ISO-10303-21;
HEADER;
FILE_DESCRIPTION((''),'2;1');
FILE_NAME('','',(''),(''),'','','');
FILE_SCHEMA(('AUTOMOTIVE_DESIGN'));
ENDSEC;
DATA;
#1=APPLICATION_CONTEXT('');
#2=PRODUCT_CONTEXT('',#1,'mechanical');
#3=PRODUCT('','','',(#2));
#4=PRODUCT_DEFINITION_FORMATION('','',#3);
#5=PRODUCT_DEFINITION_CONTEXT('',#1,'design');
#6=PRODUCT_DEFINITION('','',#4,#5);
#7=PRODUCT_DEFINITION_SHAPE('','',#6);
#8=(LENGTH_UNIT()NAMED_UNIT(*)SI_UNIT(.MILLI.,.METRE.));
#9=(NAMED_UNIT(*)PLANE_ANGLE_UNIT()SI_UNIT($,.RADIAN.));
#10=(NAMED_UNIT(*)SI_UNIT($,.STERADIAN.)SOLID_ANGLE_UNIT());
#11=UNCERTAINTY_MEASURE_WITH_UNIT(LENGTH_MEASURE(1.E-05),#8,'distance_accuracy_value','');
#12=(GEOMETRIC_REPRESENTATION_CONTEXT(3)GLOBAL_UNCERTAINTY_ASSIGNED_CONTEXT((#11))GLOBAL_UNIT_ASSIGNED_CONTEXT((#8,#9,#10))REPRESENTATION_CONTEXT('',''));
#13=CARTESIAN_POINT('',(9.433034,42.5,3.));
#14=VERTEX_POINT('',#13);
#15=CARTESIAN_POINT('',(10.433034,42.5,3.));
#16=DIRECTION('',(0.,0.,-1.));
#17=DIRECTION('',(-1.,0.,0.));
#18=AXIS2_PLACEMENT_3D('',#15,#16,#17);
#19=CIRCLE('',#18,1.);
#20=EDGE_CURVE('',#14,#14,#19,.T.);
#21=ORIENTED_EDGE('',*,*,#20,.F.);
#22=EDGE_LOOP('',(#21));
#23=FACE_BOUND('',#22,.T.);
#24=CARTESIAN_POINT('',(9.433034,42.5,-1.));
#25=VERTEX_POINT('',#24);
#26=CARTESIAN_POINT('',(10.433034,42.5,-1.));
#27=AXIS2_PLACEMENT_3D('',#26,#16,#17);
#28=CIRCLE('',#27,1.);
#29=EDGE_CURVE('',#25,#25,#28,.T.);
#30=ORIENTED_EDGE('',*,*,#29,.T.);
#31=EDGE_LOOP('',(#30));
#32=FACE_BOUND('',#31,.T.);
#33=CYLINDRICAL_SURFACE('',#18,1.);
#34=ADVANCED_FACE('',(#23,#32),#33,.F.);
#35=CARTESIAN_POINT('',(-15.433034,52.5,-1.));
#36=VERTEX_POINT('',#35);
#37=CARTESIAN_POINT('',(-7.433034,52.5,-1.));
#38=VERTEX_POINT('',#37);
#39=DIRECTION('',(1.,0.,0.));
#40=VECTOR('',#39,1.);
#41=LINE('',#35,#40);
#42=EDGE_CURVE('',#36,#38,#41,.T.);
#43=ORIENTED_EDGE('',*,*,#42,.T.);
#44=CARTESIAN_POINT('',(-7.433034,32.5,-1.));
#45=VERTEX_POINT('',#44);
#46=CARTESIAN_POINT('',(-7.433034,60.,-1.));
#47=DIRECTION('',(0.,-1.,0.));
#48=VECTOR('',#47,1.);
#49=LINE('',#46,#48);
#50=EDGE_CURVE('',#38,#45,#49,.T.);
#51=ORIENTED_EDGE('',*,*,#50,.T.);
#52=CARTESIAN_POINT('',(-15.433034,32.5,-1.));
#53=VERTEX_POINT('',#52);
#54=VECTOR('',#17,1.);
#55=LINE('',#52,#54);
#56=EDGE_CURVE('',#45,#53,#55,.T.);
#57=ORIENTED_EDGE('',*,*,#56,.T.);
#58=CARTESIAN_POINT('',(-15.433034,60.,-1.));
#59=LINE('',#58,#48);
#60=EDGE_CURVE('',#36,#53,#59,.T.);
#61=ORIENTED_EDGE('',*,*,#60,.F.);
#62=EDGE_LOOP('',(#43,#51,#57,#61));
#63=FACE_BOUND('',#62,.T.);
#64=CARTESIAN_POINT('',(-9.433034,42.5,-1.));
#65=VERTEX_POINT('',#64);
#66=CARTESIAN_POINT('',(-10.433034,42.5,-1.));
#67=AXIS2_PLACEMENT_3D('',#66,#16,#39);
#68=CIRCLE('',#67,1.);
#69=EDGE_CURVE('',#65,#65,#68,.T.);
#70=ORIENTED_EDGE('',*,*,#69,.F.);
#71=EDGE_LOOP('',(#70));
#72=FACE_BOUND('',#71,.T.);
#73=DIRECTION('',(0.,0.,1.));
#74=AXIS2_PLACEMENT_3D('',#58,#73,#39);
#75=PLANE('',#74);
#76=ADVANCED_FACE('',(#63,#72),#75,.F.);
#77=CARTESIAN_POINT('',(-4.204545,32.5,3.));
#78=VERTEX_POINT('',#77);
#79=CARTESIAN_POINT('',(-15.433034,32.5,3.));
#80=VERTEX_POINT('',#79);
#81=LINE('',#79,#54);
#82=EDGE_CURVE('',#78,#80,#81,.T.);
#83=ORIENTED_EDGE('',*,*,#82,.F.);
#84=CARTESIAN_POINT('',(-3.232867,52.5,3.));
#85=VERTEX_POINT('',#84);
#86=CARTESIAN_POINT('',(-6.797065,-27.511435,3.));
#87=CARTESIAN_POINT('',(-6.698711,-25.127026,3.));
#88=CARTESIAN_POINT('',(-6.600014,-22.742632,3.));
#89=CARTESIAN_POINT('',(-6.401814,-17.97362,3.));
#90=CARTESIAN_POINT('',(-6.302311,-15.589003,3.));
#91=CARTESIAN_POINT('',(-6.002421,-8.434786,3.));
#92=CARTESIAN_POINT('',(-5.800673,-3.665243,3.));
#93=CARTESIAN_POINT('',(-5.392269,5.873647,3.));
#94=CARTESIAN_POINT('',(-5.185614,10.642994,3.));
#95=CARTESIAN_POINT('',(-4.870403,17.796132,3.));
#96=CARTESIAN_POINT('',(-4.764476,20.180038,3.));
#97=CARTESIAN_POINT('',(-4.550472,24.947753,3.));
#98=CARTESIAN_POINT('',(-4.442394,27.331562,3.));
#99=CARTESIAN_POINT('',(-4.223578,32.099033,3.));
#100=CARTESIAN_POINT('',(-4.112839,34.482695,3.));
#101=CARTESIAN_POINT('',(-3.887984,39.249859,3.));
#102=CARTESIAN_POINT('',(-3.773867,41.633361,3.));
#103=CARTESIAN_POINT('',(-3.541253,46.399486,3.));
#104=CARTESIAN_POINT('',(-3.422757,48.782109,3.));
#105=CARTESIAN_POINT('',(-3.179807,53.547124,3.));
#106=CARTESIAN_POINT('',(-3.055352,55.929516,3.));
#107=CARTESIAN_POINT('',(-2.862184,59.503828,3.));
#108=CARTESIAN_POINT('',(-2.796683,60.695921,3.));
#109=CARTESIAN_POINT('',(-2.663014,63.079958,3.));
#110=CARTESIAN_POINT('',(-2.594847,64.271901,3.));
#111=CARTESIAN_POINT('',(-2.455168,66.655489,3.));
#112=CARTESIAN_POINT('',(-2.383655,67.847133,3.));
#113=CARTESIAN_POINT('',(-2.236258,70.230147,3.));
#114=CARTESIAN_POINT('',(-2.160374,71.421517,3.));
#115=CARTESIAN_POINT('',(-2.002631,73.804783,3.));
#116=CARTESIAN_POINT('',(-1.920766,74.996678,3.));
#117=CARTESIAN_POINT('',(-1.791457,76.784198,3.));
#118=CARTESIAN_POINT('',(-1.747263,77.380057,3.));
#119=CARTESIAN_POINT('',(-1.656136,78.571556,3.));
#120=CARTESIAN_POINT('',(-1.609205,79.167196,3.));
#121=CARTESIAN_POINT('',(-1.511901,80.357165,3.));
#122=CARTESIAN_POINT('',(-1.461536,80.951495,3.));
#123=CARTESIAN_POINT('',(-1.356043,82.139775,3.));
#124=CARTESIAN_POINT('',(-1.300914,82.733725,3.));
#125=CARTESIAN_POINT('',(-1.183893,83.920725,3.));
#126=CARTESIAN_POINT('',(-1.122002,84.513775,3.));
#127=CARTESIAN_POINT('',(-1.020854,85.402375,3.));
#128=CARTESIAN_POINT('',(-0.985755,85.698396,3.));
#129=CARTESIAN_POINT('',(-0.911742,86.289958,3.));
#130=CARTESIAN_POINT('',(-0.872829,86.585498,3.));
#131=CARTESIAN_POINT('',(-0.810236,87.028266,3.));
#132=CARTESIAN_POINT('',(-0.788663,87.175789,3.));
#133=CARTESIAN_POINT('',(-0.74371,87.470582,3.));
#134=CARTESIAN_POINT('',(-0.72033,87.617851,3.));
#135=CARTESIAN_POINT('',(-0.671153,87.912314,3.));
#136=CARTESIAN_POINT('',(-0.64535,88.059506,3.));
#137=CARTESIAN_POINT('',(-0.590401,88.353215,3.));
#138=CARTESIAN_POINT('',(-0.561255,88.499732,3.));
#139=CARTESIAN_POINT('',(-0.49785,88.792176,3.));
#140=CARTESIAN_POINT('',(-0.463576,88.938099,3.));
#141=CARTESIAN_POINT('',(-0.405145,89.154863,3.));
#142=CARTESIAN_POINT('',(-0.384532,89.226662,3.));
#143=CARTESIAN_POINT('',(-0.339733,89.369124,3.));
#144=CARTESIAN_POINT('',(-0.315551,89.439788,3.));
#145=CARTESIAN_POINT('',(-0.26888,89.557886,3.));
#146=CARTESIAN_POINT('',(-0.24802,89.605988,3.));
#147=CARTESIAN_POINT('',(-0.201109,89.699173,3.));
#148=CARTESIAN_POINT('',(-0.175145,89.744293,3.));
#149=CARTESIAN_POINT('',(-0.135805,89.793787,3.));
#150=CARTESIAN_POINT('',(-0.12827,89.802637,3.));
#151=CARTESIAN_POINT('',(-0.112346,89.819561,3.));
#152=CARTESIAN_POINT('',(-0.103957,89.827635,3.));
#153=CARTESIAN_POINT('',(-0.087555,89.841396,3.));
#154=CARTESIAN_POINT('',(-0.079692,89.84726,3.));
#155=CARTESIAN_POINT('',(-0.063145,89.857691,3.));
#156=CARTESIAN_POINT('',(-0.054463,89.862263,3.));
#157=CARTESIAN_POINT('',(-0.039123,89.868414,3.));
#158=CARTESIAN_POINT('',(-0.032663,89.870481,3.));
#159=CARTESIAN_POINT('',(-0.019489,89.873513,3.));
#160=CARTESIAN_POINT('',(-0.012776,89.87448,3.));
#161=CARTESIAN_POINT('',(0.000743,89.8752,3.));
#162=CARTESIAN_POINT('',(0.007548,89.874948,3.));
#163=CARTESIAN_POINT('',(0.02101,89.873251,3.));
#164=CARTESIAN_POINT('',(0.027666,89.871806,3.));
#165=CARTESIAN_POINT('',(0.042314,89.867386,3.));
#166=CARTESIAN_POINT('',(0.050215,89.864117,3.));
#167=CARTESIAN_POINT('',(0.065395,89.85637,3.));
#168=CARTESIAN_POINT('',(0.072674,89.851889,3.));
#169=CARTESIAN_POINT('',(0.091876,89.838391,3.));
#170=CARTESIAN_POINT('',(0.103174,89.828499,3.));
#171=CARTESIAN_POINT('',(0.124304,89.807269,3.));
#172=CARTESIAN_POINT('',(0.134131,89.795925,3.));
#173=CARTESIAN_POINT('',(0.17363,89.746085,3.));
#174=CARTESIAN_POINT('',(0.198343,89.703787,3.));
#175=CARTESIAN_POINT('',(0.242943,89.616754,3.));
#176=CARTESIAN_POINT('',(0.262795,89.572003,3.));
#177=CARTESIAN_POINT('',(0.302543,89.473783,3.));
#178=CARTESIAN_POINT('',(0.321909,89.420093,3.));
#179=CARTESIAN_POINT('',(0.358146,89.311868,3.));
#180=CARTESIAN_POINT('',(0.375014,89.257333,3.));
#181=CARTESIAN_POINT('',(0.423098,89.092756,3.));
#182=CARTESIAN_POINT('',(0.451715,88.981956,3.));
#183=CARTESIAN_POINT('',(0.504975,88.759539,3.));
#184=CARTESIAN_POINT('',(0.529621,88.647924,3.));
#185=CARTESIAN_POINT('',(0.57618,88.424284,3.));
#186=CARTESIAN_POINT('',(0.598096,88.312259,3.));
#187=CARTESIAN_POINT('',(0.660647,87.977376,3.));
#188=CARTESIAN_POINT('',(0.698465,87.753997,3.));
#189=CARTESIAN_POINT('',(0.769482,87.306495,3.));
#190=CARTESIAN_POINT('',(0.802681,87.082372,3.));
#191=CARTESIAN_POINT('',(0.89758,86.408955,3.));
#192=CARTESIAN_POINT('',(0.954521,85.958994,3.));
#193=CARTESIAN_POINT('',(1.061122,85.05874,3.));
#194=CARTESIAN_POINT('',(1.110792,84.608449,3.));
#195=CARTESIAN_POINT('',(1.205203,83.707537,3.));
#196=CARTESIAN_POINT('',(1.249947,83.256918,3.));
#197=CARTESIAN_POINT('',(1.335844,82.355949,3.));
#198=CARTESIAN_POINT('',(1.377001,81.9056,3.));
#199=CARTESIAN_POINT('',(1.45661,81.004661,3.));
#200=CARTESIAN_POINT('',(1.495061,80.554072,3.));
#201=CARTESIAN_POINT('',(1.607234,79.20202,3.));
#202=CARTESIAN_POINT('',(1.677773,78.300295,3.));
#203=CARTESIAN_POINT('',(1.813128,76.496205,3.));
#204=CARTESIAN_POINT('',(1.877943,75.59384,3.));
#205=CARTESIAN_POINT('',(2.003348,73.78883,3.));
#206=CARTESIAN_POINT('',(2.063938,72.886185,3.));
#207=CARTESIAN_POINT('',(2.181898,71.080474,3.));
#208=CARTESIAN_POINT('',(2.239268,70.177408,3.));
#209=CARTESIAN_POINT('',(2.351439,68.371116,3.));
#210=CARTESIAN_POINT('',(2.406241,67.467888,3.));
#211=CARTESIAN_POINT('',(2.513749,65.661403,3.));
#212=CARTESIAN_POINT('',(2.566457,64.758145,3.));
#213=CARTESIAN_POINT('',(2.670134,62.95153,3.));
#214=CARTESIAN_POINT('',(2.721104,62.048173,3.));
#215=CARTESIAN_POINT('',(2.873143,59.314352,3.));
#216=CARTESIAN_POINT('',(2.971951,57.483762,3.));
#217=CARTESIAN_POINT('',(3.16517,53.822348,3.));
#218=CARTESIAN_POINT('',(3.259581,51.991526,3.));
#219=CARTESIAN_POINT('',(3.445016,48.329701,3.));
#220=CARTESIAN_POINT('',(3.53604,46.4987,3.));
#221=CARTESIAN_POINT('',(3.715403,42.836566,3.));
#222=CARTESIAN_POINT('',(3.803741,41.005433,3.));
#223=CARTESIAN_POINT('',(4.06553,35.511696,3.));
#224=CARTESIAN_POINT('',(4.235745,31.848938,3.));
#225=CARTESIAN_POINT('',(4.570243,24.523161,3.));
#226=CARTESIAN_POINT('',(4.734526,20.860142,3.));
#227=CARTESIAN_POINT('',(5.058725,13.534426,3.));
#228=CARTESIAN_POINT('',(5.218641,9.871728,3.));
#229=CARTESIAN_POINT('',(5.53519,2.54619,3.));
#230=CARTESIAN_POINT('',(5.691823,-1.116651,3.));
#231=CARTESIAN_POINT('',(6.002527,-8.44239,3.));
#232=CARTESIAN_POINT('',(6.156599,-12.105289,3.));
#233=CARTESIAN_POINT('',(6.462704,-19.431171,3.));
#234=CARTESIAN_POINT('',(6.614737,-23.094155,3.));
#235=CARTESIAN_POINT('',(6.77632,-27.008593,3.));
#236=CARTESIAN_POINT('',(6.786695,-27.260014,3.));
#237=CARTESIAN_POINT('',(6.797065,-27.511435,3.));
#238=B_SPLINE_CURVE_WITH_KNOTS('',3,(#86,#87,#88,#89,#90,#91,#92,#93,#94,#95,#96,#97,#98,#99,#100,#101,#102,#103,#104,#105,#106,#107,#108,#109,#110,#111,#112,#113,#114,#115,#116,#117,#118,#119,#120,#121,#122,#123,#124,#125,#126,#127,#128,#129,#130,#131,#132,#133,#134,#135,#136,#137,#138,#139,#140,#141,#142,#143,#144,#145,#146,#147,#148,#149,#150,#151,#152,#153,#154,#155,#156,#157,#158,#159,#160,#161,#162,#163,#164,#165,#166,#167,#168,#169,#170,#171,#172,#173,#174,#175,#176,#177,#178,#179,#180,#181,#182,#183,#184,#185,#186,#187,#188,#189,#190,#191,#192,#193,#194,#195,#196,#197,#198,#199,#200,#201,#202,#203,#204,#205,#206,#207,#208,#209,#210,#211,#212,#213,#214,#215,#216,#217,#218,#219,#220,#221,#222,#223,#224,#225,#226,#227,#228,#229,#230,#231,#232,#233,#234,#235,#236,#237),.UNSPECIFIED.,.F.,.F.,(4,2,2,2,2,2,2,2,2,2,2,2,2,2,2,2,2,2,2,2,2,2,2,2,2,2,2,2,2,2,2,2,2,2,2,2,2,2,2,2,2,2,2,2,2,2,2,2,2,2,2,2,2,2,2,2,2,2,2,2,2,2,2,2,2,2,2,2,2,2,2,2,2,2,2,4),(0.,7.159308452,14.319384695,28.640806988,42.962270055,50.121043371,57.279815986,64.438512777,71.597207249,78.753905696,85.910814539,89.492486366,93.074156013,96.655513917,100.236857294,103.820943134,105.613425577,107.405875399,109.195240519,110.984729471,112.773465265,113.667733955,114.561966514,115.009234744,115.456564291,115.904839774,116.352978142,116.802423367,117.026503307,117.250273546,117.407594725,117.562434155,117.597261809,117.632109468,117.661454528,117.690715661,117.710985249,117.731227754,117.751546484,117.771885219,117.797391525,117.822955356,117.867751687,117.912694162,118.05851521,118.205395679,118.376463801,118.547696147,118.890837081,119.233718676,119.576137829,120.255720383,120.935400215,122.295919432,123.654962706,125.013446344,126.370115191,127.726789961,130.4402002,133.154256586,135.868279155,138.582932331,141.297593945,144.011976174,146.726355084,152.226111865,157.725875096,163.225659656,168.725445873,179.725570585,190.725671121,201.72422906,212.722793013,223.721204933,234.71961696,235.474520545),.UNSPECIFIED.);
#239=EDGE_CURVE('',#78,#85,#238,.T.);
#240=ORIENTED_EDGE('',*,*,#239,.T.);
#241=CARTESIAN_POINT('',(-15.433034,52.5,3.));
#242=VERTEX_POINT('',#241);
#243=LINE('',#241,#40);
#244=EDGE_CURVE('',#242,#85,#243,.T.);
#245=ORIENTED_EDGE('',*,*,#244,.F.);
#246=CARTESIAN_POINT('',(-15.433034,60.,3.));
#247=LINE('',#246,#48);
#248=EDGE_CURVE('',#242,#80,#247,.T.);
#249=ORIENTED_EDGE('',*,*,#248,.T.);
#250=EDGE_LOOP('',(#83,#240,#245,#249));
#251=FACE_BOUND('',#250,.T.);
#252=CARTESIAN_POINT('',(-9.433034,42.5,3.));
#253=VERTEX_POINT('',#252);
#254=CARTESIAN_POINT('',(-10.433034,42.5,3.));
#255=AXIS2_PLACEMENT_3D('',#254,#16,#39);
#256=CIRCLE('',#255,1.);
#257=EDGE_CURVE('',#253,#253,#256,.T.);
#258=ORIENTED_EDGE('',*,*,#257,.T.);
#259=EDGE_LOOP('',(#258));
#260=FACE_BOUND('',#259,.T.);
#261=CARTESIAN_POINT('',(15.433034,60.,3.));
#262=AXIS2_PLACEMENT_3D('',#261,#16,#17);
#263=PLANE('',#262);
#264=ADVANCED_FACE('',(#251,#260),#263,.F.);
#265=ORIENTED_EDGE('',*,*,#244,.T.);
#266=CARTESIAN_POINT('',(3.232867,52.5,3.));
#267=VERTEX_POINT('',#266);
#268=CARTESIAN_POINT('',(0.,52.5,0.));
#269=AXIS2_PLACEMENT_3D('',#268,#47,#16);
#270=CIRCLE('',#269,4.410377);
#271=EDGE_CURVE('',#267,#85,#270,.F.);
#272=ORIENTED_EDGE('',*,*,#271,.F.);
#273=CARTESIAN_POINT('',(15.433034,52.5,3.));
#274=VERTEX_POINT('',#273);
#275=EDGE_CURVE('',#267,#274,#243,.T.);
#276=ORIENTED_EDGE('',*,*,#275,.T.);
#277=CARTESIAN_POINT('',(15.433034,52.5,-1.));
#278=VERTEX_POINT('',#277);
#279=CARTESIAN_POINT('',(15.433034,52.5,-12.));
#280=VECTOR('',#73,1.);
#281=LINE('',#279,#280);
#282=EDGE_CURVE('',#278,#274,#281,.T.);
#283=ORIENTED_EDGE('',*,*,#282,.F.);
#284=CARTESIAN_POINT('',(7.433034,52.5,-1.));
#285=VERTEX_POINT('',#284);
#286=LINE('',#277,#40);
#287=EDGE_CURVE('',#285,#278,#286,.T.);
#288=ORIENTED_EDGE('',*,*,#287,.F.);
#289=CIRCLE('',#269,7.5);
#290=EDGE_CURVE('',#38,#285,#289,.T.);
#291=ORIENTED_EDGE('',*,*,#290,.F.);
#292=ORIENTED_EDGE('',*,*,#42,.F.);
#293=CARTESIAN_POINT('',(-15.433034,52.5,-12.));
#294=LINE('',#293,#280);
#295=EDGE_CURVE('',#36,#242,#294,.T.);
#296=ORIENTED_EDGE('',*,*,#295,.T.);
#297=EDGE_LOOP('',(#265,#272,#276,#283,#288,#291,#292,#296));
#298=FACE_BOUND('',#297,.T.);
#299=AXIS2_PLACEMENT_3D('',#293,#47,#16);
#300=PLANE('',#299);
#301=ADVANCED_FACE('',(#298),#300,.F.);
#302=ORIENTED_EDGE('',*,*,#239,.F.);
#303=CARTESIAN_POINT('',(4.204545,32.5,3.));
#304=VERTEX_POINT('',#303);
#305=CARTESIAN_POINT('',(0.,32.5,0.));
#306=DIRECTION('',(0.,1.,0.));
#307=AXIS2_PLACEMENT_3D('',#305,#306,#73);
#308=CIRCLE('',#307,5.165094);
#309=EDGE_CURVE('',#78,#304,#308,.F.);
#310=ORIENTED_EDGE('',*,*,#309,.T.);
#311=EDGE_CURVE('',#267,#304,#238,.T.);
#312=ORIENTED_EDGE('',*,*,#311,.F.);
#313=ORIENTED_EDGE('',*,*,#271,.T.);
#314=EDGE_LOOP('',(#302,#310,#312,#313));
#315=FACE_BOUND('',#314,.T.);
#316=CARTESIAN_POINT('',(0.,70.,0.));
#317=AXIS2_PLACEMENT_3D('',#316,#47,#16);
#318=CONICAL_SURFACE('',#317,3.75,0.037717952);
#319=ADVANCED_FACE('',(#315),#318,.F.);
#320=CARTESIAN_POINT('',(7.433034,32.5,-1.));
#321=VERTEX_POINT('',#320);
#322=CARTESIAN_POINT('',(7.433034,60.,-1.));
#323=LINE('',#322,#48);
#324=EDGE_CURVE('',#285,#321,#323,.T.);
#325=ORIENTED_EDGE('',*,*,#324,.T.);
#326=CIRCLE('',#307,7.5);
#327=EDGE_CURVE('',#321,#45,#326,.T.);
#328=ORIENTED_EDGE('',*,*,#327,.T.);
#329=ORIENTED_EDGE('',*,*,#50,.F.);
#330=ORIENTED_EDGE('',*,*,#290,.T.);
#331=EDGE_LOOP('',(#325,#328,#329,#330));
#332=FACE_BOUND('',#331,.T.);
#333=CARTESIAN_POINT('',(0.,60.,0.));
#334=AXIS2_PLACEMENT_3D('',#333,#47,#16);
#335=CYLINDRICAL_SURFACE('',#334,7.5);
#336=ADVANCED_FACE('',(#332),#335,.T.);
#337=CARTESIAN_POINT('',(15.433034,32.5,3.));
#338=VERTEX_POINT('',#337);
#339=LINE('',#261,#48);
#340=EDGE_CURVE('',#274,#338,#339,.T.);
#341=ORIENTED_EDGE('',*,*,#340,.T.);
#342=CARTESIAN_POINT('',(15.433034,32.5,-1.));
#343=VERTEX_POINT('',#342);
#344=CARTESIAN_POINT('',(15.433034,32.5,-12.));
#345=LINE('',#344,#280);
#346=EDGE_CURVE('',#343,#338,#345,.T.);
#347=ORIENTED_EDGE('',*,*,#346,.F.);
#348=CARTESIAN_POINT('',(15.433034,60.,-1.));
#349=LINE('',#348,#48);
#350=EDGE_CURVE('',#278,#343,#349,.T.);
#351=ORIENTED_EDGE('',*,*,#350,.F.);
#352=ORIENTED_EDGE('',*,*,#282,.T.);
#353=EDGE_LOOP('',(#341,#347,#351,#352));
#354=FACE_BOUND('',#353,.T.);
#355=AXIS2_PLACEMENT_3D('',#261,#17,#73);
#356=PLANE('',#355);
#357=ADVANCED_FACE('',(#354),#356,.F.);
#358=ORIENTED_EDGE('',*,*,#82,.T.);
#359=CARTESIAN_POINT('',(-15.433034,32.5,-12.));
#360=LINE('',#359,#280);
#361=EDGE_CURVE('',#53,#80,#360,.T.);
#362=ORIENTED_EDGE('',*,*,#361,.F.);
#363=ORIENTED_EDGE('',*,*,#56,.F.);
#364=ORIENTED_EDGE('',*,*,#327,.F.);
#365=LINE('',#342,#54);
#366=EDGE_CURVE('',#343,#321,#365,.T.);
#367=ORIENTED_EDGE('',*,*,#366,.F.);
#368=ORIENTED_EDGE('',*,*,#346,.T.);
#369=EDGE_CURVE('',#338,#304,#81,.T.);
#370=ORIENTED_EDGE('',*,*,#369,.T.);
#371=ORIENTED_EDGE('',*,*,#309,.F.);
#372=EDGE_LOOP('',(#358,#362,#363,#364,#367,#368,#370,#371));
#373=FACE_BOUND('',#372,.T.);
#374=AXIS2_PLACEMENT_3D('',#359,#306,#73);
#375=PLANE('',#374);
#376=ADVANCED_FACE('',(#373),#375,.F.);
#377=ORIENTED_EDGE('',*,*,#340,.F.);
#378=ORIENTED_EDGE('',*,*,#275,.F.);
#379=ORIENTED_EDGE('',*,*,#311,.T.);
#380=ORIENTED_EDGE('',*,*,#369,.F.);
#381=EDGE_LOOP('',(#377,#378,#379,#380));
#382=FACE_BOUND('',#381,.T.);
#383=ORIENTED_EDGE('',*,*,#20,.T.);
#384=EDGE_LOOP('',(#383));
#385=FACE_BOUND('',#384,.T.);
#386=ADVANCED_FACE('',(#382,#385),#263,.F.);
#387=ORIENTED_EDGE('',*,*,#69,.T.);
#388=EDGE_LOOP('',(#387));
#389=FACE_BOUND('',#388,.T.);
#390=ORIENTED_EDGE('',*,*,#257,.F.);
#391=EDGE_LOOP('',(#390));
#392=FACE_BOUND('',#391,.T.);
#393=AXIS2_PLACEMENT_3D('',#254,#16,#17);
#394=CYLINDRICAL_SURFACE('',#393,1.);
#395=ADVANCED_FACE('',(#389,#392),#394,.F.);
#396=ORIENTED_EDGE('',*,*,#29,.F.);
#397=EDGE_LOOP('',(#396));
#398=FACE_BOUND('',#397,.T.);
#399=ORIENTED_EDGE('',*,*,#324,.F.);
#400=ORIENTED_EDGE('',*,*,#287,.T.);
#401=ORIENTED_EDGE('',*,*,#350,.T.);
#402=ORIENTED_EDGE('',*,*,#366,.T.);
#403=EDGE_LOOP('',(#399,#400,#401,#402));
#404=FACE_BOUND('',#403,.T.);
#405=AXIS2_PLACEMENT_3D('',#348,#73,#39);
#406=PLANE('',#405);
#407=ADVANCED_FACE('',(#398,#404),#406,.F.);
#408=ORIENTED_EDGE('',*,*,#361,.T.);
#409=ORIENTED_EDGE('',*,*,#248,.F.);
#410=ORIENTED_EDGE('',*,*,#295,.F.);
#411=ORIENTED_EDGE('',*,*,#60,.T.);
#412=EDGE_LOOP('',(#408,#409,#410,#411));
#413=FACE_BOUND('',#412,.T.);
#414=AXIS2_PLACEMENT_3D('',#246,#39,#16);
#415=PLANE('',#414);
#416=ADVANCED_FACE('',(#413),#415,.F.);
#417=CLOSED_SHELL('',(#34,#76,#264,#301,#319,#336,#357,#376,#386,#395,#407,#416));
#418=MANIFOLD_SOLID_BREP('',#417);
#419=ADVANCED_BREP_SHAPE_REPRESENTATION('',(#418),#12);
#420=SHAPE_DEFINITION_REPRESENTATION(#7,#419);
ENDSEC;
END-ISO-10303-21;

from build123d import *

# Parameters (mm, degrees)
RESSALTO_EXTRUS_O3_DEPTH = 60
ESBO_O5_R                = 6
CORTE_EXTRUS_O1_DEPTH    = 17
ESBO_O7_W                = 30.866068748
ESBO_O7_H                = 32.5
ESBO_O7_H_2              = 7.5
CORTE_EXTRUS_O2_DEPTH    = 15
ESBO_O8_R                = 1
CORTE_EXTRUS_O3_DEPTH    = 5


with BuildPart() as part:
    # Esboço4 → Ressalto-extrusão3 (new body)
    with BuildSketch(Plane(origin=(0, 0, 0), x_dir=(1, 0, 0), z_dir=(0, 1, 0))):
        with BuildLine():
            Line((15.433034374, -3), (-15.433034374, -3))
            Line((-15.433034374, -3), (-15.433034374, 1))
            Line((-15.433034374, 1), (-7.433034374, 1))
            ThreePointArc((-7.433034374, 1), (0, 7.5), (7.433034374, 1))
            Line((7.433034374, 1), (15.433034374, 1))
            Line((15.433034374, 1), (15.433034374, -3))
        make_face()
    extrude(amount=RESSALTO_EXTRUS_O3_DEPTH)

    # Esboço5 → Corte-extrusão1 (cut)
    with BuildSketch(Plane(origin=(0, 0, 0), x_dir=(1, 0, 0), z_dir=(0, 1, 0))):
        Circle(ESBO_O5_R)
    extrude(amount=CORTE_EXTRUS_O1_DEPTH, mode=Mode.SUBTRACT)

    # Esboço6 → Corte-Revolução1 (revolve, cut)
    with BuildSketch(Plane.XY):
        Polygon((0, 17), (-5.75, 17), (-3.75, 70), (0, 70), align=None)
    revolve(axis=Axis((0, 70, 0), (0, -1, 0)), mode=Mode.SUBTRACT)

    # Esboço7 → Corte-extrusão2 (cut)
    with BuildSketch(Plane.XY.offset(3)):
        with Locations((0, 16.25)):
            Rectangle(ESBO_O7_W, ESBO_O7_H)
        with Locations((0, 56.25)):
            Rectangle(ESBO_O7_W, ESBO_O7_H_2)
    extrude(amount=-CORTE_EXTRUS_O2_DEPTH, mode=Mode.SUBTRACT)

    # Esboço8 → Corte-extrusão3 (cut, through all)
    with BuildSketch(Plane(origin=(0, 0, -1), x_dir=(-1, 0, 0), z_dir=(0, 0, -1))):
        with Locations((-10.433034374, 42.5)):
            Circle(ESBO_O8_R)
        with Locations((10.433034374, 42.5)):
            Circle(ESBO_O8_R)
    extrude(amount=-CORTE_EXTRUS_O3_DEPTH, mode=Mode.SUBTRACT)


solid = part.part
